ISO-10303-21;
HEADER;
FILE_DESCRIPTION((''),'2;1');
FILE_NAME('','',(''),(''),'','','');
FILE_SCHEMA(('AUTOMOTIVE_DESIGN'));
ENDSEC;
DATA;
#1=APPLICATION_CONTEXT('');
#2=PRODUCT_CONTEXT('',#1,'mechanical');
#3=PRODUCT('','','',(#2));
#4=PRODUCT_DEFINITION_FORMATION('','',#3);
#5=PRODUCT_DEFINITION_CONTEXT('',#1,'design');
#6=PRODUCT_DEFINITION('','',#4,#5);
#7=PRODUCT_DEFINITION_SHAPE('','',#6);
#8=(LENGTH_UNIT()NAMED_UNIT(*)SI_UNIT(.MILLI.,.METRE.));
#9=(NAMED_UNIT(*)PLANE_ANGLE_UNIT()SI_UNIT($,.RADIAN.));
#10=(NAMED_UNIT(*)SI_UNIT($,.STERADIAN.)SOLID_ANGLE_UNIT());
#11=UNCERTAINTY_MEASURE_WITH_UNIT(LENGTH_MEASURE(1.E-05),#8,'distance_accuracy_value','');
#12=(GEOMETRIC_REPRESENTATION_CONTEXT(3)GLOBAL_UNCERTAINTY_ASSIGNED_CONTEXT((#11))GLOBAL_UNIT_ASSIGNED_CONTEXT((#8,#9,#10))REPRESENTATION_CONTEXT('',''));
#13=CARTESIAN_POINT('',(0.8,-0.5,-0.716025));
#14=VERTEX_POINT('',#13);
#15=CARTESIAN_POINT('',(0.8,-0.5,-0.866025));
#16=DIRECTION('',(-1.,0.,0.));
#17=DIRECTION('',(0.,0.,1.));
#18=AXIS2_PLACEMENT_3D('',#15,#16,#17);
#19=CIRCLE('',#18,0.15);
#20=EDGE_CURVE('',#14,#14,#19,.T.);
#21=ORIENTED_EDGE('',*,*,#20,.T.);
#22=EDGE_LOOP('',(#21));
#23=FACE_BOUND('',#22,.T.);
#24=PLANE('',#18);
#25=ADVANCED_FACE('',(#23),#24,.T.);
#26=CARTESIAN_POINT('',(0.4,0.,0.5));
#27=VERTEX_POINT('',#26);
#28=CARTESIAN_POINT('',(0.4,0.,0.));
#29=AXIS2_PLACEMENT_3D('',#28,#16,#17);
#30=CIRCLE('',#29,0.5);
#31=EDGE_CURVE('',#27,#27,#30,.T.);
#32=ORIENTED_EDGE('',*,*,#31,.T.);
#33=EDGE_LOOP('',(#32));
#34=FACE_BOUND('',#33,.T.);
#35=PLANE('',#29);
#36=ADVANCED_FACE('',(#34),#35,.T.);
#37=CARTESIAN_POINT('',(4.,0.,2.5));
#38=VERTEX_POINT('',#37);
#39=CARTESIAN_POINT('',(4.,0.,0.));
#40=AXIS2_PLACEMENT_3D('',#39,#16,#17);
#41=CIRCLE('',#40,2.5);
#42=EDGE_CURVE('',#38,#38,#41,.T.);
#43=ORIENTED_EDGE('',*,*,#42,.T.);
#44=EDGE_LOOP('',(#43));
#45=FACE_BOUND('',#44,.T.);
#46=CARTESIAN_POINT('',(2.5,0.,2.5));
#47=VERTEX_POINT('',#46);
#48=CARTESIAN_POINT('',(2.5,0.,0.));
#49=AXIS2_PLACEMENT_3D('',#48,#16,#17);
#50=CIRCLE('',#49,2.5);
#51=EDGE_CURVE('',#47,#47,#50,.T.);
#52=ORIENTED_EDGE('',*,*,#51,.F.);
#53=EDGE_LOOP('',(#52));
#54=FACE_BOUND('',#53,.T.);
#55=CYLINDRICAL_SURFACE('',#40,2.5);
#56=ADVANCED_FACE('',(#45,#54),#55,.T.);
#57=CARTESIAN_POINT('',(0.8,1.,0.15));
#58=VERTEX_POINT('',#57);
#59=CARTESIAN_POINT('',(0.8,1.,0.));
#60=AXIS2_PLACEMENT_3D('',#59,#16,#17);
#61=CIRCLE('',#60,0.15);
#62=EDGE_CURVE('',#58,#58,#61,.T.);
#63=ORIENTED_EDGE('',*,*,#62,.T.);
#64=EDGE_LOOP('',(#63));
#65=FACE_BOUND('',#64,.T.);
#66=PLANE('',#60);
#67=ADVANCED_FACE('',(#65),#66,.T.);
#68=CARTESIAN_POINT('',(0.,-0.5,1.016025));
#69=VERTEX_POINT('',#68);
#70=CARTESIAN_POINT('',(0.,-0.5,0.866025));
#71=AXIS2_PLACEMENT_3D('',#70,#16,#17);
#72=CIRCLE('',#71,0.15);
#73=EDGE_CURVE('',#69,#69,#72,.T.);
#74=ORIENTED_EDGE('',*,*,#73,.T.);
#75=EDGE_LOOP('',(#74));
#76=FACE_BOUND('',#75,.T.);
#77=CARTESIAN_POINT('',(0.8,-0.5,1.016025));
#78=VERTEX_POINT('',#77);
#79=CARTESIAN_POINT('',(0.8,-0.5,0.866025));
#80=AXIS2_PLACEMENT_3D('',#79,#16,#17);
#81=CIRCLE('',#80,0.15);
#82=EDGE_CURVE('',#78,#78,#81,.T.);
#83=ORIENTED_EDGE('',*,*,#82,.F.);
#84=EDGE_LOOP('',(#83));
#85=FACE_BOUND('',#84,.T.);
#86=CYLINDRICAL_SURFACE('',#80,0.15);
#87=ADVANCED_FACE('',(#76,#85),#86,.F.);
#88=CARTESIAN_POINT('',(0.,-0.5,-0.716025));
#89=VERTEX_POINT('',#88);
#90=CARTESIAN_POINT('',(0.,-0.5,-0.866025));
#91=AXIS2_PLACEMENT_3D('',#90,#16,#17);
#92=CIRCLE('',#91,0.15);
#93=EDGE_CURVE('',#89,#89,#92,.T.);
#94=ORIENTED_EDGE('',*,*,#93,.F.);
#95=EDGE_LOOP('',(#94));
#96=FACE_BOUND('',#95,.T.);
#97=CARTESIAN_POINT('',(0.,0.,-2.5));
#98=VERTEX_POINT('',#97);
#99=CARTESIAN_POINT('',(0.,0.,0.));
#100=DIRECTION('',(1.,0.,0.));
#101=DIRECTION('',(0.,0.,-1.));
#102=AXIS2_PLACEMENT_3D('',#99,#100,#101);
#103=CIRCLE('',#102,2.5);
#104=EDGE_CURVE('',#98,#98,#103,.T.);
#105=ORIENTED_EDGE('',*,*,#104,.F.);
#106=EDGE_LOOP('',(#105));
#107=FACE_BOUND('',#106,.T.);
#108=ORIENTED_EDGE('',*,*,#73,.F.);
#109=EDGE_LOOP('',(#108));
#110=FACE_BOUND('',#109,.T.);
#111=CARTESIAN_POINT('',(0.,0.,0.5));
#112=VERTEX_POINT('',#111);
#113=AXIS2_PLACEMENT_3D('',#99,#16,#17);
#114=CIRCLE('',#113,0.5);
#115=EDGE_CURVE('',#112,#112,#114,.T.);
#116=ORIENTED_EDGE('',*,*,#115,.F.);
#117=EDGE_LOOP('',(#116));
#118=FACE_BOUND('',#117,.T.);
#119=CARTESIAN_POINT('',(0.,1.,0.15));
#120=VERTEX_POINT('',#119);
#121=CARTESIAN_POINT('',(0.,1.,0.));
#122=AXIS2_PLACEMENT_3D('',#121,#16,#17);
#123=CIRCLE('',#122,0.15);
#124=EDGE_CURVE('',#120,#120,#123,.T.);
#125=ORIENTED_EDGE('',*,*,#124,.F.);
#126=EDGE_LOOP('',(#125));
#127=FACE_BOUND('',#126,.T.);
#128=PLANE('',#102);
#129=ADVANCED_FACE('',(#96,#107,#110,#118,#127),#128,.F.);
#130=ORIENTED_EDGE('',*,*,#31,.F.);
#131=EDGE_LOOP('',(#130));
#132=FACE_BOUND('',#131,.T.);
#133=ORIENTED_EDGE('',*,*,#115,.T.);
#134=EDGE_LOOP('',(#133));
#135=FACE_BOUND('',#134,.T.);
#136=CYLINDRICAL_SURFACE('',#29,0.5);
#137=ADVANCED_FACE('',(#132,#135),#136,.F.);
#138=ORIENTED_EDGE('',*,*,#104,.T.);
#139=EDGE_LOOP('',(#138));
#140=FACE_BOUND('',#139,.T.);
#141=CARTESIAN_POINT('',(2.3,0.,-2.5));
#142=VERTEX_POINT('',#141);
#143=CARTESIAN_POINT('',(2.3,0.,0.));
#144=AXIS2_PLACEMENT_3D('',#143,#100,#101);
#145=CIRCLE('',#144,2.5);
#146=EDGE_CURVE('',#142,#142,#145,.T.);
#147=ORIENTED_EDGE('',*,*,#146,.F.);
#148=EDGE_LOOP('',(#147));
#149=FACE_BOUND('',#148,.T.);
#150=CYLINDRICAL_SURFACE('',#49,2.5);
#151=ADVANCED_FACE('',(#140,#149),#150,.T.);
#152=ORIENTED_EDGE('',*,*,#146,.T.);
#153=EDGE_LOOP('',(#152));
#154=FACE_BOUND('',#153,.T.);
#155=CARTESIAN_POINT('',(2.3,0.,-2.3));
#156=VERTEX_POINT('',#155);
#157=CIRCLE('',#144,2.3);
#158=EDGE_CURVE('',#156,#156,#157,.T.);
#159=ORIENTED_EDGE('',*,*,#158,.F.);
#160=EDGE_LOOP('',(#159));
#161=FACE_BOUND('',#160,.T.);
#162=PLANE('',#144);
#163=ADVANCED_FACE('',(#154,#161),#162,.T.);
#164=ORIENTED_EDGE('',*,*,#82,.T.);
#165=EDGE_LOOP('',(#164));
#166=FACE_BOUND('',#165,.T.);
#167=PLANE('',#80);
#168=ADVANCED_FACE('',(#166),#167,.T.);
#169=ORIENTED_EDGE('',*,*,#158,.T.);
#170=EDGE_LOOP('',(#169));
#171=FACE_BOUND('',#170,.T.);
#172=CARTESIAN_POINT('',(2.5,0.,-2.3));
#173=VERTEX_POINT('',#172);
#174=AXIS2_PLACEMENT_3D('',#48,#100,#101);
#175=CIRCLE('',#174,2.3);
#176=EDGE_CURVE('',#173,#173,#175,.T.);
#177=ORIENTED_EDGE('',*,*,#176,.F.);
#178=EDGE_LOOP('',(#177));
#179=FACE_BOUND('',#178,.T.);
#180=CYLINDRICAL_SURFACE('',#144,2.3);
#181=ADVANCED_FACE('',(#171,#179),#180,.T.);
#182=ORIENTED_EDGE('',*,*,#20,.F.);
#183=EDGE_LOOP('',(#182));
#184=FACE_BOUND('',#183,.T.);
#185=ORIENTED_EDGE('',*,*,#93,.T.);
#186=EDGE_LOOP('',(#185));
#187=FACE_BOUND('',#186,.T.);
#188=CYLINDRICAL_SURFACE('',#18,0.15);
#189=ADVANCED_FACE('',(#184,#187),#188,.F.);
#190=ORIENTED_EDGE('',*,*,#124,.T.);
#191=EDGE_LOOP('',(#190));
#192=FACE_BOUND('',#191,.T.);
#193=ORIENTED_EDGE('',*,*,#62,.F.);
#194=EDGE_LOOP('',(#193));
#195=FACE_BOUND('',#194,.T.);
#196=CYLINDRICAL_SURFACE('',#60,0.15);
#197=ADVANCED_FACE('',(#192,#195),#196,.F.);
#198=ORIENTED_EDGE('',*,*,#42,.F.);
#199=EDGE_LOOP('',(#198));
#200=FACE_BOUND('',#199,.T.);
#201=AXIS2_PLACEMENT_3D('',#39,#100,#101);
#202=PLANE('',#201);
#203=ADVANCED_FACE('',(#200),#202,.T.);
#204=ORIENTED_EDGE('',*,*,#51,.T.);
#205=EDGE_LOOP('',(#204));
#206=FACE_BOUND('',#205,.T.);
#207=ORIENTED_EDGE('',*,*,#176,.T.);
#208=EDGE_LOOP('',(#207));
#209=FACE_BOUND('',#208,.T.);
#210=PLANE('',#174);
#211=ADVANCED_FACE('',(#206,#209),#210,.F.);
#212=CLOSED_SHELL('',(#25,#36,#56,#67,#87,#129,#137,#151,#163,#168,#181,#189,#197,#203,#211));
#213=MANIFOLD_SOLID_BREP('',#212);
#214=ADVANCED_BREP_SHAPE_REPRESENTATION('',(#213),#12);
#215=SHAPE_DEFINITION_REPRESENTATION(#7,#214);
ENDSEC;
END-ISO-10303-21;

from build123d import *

# Parameters (mm, degrees)
SKETCH_1_R          = 2.5
EXTRUDE_1_DEPTH     = 2.5
SKETCH_3_R          = 2.4
EXTRUDE_4_DEPTH     = 1.5
CUT_EXTRUDE_START   = -0.2
SKETCH_4_R          = 2.5
SKETCH_4_R_2        = 2.3
CUT_EXTRUDE_2_DEPTH = 0.2
SKETCH_5_R          = 2.5
SKETCH_5_R_2        = 2.4
EXTRUDE_5_DEPTH     = 1.5
SKETCH_6_R          = 0.5
CUT_EXTRUDE_3_DEPTH = 0.4
SKETCH_7_R          = 0.15
CUT_EXTRUDE_4_DEPTH = 0.8


with BuildPart() as part:
    # 草图1 → 凸台-拉伸1 (new body)
    with BuildSketch(Plane(origin=(0, 0, 0), x_dir=(0, 0, -1), z_dir=(1, 0, 0))):
        Circle(SKETCH_1_R)
    extrude(amount=EXTRUDE_1_DEPTH)

    # 草图3 → 凸台-拉伸4 (add)
    with BuildSketch(Plane(origin=(2.5, 0, 0), x_dir=(0, 0, -1), z_dir=(1, 0, 0))):
        Circle(SKETCH_3_R)
    extrude(amount=EXTRUDE_4_DEPTH)

    # 草图4 → 切除-拉伸2 (cut)
    with BuildSketch(Plane(origin=(2.5, 0, 0), x_dir=(0, 0, -1), z_dir=(1, 0, 0)).offset(CUT_EXTRUDE_START)):
        Circle(SKETCH_4_R)
        Circle(SKETCH_4_R_2, mode=Mode.SUBTRACT)
    extrude(amount=CUT_EXTRUDE_2_DEPTH, mode=Mode.SUBTRACT)

    # 草图5 → 凸台-拉伸5 (add)
    with BuildSketch(Plane.ZY.offset(-2.5)):
        with Locations(Location((0, 0, 0), (0, 0, 180))):
            Circle(SKETCH_5_R)
        Circle(SKETCH_5_R_2, mode=Mode.SUBTRACT)
    extrude(amount=-EXTRUDE_5_DEPTH)

    # 草图6 → 切除-拉伸3 (cut)
    with BuildSketch(Plane.ZY):
        Circle(SKETCH_6_R)
    extrude(amount=-CUT_EXTRUDE_3_DEPTH, mode=Mode.SUBTRACT)

    # 草图7 → 切除-拉伸4 (cut)
    with BuildSketch(Plane.ZY):
        with Locations((0, 1)):
            Circle(SKETCH_7_R)
        with Locations((-0.866025404, -0.5)):
            Circle(SKETCH_7_R)
        with Locations((0.866025404, -0.5)):
            Circle(SKETCH_7_R)
    extrude(amount=-CUT_EXTRUDE_4_DEPTH, mode=Mode.SUBTRACT)


solid = part.part
